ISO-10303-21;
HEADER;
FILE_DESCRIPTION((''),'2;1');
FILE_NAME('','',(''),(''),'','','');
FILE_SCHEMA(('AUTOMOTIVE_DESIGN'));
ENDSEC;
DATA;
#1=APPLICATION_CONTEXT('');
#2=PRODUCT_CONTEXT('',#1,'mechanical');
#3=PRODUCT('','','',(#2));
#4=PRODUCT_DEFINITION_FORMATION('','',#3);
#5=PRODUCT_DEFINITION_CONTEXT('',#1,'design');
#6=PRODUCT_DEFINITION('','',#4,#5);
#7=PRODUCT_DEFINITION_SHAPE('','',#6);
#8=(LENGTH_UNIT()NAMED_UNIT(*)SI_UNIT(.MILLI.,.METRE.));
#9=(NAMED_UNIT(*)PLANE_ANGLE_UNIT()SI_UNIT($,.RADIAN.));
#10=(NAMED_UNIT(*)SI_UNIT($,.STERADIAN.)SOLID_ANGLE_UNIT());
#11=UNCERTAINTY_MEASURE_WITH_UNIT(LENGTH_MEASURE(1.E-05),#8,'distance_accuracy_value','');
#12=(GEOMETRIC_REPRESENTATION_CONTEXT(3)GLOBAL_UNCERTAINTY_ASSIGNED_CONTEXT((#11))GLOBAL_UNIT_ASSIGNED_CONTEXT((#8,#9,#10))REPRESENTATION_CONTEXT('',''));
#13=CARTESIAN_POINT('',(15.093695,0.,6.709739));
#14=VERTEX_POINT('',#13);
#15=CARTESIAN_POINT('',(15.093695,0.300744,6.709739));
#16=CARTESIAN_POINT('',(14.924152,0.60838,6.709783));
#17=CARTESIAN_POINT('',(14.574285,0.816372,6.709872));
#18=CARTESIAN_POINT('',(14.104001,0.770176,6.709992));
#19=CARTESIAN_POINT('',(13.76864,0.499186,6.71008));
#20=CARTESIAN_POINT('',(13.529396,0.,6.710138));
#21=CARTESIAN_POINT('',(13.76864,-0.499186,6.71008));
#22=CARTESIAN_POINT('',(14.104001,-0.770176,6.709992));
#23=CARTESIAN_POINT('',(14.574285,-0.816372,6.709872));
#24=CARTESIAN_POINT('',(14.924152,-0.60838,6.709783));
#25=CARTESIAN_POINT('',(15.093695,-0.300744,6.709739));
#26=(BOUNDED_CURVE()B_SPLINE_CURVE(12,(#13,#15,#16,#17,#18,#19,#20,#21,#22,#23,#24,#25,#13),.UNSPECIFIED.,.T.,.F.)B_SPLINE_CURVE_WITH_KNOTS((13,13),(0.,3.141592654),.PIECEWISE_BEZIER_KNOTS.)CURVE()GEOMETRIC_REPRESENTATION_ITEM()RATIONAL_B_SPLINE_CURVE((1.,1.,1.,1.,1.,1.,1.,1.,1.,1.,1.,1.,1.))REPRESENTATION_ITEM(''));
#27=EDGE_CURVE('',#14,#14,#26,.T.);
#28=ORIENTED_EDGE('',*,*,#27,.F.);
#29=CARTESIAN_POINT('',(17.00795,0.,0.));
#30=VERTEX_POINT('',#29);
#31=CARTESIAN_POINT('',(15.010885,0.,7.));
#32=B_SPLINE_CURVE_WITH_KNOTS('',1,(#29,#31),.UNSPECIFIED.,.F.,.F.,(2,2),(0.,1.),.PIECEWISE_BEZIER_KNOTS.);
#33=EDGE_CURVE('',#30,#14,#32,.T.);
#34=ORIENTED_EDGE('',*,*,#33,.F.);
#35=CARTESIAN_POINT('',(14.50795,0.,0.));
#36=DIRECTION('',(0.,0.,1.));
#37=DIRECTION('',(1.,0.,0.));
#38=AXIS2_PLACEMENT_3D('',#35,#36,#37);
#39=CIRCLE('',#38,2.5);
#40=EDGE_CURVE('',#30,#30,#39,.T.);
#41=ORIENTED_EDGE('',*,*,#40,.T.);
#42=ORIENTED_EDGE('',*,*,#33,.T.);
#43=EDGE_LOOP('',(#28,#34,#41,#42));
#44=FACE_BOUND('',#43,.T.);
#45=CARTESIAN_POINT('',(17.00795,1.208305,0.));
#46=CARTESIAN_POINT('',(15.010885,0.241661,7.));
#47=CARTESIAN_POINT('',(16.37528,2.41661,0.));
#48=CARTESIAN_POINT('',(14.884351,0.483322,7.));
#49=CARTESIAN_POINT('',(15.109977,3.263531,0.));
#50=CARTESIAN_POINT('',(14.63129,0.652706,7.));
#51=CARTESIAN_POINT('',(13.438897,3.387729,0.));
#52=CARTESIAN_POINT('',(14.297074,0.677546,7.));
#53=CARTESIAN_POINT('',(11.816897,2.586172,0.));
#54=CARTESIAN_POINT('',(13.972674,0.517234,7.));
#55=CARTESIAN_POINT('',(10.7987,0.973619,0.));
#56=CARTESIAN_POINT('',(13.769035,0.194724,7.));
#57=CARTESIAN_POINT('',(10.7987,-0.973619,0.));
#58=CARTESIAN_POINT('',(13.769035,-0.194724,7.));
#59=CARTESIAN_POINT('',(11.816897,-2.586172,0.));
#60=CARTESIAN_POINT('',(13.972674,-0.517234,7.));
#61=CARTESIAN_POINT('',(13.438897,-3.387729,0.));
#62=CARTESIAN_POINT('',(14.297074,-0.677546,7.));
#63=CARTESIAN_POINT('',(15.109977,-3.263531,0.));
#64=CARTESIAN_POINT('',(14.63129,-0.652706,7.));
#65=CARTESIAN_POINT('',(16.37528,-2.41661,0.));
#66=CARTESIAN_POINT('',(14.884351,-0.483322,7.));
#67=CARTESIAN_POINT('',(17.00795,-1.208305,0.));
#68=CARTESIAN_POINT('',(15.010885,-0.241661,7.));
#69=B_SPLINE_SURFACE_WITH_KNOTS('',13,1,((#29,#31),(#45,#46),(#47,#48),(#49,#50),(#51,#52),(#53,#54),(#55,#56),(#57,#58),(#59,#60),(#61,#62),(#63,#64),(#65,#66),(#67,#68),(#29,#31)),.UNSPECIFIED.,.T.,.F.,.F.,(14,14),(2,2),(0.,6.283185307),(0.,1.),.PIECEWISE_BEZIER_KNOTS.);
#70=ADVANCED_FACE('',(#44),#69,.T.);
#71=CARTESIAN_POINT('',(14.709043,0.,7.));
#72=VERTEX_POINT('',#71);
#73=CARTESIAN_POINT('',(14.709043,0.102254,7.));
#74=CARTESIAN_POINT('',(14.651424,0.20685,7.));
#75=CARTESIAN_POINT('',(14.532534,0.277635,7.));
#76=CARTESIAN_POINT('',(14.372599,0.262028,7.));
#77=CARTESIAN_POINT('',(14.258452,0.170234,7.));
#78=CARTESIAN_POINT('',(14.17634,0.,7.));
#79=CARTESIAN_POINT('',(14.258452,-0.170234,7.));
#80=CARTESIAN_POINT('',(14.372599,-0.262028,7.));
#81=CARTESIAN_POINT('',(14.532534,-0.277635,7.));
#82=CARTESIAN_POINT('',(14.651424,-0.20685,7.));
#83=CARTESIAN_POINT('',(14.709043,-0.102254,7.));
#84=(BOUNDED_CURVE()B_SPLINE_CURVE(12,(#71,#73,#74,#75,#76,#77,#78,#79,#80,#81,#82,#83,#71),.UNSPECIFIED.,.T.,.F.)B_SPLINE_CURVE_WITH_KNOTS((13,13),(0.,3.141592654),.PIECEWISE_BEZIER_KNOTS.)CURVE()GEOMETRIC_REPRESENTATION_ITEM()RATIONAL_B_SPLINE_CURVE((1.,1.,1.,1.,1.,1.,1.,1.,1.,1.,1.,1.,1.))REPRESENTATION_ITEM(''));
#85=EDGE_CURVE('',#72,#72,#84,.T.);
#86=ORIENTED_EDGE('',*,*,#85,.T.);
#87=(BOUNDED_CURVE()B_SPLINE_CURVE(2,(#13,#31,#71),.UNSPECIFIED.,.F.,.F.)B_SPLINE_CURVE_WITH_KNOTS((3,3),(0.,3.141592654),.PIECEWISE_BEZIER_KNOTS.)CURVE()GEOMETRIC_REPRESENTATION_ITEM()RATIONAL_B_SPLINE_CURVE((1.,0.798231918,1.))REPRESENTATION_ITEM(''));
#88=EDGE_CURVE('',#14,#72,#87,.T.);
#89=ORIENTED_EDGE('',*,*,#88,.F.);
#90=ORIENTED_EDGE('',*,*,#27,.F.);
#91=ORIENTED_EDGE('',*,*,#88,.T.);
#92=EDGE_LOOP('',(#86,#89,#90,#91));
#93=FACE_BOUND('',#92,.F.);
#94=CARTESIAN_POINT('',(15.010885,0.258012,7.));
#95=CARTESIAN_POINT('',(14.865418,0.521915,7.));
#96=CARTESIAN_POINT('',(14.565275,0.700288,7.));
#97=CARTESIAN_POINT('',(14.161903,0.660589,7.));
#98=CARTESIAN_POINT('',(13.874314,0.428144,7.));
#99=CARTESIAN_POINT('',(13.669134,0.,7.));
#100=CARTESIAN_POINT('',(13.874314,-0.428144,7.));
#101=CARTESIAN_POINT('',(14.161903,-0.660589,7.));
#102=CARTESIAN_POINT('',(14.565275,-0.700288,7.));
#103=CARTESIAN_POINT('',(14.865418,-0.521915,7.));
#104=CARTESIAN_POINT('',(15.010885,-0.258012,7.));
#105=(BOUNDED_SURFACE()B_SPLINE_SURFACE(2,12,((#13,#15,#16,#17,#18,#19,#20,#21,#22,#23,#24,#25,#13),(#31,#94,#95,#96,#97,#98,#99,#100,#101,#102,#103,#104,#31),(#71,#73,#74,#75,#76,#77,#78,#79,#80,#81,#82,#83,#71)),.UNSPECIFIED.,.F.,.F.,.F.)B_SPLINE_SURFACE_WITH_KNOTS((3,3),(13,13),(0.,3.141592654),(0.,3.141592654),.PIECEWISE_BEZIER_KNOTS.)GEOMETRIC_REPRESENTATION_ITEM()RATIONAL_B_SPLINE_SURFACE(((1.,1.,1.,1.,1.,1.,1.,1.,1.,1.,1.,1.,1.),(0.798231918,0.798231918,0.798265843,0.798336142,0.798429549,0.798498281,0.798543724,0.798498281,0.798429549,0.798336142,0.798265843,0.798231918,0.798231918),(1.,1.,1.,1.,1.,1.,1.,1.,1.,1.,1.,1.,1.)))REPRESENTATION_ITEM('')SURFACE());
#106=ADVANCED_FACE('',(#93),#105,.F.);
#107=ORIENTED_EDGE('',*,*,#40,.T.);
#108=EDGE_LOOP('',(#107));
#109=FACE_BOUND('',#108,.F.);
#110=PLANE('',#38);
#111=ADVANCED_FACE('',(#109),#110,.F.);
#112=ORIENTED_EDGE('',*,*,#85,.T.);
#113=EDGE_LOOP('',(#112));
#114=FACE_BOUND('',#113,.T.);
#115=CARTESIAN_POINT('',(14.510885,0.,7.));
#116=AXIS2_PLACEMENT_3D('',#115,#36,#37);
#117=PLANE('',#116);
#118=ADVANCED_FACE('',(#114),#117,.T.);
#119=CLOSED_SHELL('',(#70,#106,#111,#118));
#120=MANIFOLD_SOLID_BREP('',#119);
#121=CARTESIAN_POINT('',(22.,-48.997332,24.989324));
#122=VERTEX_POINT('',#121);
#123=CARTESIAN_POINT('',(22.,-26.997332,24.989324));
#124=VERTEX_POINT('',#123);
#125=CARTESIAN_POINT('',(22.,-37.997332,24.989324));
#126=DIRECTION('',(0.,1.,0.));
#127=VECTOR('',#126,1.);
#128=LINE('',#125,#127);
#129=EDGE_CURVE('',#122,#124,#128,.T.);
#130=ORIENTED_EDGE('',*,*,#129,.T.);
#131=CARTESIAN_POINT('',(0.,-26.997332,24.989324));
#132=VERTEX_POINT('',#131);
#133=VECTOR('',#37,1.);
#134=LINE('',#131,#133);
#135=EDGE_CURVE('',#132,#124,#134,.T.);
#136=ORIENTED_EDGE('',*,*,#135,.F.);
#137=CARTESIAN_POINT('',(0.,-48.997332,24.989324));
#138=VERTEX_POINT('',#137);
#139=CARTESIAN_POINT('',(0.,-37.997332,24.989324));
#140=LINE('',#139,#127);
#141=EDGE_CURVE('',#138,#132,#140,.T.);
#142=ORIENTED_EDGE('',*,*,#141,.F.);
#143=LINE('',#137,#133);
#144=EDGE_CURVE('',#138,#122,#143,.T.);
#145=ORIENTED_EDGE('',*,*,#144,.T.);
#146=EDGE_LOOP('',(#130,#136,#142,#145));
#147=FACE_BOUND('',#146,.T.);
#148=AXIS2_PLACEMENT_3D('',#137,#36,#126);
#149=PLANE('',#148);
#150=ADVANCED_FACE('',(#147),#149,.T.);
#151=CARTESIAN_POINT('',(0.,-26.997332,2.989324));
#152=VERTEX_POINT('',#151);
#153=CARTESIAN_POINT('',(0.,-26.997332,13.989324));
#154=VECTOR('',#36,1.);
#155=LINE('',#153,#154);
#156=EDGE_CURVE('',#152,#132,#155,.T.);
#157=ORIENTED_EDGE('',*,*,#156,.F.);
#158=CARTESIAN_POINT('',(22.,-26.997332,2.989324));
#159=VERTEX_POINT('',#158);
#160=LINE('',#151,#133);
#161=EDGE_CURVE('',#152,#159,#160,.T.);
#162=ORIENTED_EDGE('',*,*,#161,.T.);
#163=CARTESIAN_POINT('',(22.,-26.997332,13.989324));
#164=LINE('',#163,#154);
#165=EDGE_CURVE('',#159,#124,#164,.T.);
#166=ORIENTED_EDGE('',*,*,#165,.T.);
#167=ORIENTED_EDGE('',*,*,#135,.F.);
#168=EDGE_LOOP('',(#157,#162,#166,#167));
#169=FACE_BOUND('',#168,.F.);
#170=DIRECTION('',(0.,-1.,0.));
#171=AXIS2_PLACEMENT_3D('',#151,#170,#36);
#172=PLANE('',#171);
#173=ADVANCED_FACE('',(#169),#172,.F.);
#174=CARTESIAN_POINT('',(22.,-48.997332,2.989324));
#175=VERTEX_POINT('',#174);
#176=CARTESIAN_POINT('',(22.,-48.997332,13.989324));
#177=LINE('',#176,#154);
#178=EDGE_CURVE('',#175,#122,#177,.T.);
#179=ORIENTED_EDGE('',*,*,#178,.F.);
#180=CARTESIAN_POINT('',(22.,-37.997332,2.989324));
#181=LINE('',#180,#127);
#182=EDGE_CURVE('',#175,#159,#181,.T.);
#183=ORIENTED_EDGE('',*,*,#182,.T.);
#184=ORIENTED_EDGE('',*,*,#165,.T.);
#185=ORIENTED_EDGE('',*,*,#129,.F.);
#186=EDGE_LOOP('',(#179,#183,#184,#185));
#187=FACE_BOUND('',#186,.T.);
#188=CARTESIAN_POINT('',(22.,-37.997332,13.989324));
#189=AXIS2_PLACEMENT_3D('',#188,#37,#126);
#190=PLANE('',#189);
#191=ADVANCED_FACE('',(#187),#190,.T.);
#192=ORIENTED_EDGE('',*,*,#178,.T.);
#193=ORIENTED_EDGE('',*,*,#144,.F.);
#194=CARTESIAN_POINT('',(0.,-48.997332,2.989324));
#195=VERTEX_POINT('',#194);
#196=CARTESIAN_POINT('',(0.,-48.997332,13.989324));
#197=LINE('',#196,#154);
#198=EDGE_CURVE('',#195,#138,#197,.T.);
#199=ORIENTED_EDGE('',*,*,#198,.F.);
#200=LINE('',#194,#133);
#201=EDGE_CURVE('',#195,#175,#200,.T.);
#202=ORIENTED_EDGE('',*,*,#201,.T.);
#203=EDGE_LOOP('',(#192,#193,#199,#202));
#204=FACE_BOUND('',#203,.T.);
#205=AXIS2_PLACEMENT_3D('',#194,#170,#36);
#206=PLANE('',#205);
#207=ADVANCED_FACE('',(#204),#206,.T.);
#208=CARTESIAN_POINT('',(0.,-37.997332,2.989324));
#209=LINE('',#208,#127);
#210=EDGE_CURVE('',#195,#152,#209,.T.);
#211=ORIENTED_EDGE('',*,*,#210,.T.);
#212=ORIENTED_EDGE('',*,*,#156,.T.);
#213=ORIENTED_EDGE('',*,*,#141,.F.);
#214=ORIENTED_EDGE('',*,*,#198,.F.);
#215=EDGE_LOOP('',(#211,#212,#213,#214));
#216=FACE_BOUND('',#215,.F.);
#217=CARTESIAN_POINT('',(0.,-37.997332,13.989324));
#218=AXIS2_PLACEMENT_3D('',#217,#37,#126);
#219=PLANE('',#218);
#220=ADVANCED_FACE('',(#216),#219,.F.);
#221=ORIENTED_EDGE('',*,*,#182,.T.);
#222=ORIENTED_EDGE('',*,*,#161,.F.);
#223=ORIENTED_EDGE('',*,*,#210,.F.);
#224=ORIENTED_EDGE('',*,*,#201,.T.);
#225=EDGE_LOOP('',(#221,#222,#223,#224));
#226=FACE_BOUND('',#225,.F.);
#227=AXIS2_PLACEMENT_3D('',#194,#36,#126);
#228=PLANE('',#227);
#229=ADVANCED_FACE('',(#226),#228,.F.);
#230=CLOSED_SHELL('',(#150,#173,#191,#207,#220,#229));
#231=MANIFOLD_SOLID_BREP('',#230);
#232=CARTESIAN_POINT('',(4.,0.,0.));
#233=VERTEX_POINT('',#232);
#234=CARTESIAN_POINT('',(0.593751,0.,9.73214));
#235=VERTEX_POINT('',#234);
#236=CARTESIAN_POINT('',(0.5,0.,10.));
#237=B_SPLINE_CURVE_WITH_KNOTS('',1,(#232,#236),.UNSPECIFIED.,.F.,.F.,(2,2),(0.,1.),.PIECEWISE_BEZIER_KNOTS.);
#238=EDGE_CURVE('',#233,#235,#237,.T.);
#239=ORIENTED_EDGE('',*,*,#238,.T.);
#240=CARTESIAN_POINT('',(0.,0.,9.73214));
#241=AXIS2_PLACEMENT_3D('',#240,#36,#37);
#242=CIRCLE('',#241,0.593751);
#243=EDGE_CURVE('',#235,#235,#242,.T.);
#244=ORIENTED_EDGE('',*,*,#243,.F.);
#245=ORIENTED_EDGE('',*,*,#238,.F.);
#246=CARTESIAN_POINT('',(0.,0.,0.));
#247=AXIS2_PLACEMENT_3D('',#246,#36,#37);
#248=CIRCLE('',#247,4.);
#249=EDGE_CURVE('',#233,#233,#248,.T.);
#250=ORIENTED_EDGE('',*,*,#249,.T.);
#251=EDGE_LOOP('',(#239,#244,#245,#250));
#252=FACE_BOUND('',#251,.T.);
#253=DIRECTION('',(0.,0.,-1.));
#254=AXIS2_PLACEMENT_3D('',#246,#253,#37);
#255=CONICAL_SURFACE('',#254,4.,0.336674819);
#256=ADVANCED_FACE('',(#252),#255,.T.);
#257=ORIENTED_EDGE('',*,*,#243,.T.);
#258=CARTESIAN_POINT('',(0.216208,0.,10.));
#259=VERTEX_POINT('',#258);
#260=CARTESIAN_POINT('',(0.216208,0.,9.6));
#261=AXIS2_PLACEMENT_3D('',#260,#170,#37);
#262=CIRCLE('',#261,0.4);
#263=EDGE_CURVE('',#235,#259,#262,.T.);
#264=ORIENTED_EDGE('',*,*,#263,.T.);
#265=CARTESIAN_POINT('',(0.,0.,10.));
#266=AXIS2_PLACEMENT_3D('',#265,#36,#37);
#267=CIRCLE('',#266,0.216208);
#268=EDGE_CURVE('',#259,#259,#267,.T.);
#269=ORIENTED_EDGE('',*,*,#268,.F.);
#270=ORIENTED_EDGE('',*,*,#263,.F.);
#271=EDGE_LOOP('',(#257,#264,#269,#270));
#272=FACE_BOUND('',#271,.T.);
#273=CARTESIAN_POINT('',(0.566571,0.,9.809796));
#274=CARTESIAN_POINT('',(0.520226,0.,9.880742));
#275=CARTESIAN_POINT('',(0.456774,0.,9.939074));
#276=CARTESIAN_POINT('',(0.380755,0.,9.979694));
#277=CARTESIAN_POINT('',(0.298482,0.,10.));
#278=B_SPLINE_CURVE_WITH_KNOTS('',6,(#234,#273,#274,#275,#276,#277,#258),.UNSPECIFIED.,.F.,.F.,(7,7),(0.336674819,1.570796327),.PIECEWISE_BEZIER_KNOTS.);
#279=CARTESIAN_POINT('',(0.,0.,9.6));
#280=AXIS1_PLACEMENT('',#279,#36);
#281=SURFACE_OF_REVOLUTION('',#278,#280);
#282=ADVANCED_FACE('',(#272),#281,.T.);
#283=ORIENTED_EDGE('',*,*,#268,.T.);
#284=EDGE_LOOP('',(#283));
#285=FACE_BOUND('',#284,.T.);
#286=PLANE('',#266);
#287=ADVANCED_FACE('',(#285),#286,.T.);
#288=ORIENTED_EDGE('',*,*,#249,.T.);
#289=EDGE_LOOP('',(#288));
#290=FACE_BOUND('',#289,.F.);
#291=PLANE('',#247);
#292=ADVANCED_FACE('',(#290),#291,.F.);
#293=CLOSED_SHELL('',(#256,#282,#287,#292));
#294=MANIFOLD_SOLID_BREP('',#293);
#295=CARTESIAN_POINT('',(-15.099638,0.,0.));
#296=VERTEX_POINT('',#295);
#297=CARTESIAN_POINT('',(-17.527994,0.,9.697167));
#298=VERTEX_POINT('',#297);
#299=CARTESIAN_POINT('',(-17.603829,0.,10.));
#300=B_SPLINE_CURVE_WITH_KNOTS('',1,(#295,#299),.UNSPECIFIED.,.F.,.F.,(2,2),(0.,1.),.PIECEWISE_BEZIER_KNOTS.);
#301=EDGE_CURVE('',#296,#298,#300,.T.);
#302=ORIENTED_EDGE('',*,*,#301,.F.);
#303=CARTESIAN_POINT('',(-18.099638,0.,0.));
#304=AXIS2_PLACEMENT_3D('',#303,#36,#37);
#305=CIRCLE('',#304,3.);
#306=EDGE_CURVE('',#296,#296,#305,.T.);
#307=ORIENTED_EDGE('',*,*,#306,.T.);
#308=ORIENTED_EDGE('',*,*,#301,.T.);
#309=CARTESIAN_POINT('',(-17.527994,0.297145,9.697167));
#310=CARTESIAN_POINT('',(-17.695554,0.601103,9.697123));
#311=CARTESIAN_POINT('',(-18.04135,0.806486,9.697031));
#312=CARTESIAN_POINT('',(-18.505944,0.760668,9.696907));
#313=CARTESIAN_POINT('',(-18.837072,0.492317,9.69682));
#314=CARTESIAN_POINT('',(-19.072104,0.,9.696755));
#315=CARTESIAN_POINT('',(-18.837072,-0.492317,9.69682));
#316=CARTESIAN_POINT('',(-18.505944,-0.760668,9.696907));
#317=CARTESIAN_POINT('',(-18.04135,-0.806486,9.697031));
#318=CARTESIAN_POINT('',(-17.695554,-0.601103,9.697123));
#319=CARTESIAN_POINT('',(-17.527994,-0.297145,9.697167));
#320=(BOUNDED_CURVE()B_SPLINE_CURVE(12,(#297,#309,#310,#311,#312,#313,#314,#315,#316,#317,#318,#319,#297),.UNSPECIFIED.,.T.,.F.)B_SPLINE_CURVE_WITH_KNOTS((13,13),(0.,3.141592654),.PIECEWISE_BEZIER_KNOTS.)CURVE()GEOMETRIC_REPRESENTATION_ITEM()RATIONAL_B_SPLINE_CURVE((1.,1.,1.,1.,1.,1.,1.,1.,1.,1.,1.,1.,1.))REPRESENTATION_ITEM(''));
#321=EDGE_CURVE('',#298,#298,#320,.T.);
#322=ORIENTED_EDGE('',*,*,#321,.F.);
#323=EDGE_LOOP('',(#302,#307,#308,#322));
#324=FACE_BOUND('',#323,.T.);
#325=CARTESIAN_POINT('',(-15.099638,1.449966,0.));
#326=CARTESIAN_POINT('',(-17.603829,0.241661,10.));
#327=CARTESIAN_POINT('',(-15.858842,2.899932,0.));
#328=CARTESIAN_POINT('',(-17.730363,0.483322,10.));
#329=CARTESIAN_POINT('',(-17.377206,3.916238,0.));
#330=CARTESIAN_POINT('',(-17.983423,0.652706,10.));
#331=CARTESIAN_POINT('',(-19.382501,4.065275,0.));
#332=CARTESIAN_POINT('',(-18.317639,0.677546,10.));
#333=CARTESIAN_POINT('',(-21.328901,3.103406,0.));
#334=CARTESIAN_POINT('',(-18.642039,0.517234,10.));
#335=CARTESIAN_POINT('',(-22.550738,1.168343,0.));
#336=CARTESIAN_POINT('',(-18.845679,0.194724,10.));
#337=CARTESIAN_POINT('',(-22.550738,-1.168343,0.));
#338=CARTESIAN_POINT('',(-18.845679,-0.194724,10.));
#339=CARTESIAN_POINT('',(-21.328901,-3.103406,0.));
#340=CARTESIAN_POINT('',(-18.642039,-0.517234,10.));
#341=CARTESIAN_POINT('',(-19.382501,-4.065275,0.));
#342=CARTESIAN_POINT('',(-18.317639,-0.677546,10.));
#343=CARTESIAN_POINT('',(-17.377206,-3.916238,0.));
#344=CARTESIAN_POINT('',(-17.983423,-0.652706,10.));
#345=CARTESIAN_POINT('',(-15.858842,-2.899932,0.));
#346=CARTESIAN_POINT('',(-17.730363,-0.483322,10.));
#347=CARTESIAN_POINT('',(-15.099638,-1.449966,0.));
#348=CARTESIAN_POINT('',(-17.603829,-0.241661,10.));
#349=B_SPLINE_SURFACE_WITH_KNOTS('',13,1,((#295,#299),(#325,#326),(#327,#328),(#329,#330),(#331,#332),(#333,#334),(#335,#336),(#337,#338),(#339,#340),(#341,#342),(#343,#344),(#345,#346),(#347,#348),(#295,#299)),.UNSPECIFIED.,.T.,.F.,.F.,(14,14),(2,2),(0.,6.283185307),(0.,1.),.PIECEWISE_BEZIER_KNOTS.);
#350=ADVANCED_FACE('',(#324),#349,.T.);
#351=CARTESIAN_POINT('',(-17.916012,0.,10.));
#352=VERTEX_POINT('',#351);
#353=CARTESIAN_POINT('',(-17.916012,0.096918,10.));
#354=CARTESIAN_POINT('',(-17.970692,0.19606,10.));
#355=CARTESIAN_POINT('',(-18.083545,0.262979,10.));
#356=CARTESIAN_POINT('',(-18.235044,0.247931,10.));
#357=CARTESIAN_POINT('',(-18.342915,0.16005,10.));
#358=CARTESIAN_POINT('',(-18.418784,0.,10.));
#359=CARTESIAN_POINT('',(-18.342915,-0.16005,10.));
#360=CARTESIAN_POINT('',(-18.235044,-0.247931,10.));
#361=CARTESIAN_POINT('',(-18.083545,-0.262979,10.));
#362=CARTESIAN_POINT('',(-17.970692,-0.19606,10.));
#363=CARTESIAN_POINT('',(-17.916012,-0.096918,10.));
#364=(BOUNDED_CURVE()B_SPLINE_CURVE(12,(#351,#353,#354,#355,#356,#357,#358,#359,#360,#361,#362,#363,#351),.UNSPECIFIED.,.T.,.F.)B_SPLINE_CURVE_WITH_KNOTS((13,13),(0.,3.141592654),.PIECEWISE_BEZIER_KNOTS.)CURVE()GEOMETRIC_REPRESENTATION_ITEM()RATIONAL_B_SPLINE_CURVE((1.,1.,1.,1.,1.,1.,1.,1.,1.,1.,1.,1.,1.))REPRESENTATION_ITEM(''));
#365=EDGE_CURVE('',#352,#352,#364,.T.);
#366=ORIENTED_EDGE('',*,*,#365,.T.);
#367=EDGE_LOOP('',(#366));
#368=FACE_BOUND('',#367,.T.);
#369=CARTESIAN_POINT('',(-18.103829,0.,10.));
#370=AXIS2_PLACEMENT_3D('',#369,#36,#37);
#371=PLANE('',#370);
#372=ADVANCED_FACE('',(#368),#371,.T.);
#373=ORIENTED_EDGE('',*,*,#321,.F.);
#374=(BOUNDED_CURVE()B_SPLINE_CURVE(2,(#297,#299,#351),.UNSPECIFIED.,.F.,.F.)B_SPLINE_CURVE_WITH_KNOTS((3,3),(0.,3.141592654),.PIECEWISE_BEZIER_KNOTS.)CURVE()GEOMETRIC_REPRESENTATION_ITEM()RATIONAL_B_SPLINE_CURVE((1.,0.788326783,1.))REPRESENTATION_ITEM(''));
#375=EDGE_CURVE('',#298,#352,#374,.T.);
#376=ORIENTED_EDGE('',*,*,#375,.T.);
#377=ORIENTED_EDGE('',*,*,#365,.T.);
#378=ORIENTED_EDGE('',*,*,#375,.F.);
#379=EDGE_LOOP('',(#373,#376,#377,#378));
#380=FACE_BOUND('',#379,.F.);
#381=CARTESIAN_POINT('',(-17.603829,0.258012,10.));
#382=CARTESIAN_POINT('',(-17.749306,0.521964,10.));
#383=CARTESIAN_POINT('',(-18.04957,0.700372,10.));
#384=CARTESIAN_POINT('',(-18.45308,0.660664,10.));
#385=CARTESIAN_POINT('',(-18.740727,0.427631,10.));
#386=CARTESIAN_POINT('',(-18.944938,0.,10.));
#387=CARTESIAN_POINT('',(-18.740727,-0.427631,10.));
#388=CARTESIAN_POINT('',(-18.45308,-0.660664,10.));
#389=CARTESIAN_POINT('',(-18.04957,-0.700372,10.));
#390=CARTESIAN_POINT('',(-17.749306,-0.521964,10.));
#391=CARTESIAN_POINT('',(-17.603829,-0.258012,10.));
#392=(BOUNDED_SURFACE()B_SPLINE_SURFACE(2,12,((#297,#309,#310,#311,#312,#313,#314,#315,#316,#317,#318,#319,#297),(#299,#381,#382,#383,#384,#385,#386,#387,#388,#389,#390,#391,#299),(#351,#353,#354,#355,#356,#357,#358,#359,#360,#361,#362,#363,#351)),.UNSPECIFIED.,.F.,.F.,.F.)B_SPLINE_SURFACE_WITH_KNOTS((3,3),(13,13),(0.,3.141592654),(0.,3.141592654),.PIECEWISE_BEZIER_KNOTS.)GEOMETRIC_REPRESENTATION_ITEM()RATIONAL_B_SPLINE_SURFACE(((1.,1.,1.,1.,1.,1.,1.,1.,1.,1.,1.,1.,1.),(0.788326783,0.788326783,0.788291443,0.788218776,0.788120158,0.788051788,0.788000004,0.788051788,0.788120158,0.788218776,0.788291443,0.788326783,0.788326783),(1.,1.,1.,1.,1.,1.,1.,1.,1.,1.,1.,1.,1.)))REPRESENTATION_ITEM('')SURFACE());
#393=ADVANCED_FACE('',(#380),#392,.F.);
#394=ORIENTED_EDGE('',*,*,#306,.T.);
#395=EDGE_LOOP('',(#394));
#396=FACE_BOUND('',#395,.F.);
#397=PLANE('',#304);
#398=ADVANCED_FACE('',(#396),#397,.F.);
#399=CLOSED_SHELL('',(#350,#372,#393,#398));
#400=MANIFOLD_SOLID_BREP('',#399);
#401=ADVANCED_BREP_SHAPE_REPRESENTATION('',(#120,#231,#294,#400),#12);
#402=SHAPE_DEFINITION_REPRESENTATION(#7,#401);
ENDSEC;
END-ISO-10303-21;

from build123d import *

# Parameters (mm, degrees)
F0_R      = 4
F4_R      = 0.5
F0_R_2    = 3
F0_R_3    = 2.5
F3_R      = 0.5
F8_R      = 0.4
F8_2_R    = 0.4
F8_3_R    = 0.4
F9_W      = 22
F9_H      = 22
F10_DEPTH = 22


with BuildPart() as f5:
    # F0 (on Top) → F5 section 0
    with BuildSketch(Plane.XY):
        Circle(F0_R)
    # F4 (on offset) → F5 section 1
    with BuildSketch(Plane.XY.offset(10)):
        Circle(F4_R)
    loft()

    # F8
    f8_edges = [f5.edges().sort_by_distance(p)[0] for p in [
        (-0.5, 0, 10),
    ]]
    fillet(f8_edges, radius=F8_R)


with BuildPart() as f6:
    # F0 (on Top) → F6 section 0
    with BuildSketch(Plane.XY):
        with Locations((-18.0996377021, 0)):
            Circle(F0_R_2)
    # F4 (on offset) → F6 section 1
    with BuildSketch(Plane.XY.offset(10)):
        with Locations((-18.1038286537, 0)):
            Circle(F4_R)
    loft()

    # F8#2
    f8_2_edges = [f6.edges().sort_by_distance(p)[0] for p in [
        (-18.603829, 0, 10),
    ]]
    fillet(f8_2_edges, radius=F8_2_R)


with BuildPart() as f7:
    # F0 (on Top) → F7 section 0
    with BuildSketch(Plane.XY):
        with Locations((14.5079502836, 0)):
            Circle(F0_R_3)
    # F3 (on offset) → F7 section 1
    with BuildSketch(Plane.XY.offset(7)):
        with Locations((14.510884881, 0)):
            Circle(F3_R)
    loft()

    # F8#3
    f8_3_edges = [f7.edges().sort_by_distance(p)[0] for p in [
        (14.010885, 0, 7),
    ]]
    fillet(f8_3_edges, radius=F8_3_R)


with BuildPart() as f10:
    # F9 (on Right) → F10 (new body)
    with BuildSketch(Plane.YZ):
        with Locations((-37.9973315299, 13.9893240426)):
            Rectangle(F9_W, F9_H)
    extrude(amount=F10_DEPTH)


solid = Compound([f5.part, f6.part, f7.part, f10.part])
